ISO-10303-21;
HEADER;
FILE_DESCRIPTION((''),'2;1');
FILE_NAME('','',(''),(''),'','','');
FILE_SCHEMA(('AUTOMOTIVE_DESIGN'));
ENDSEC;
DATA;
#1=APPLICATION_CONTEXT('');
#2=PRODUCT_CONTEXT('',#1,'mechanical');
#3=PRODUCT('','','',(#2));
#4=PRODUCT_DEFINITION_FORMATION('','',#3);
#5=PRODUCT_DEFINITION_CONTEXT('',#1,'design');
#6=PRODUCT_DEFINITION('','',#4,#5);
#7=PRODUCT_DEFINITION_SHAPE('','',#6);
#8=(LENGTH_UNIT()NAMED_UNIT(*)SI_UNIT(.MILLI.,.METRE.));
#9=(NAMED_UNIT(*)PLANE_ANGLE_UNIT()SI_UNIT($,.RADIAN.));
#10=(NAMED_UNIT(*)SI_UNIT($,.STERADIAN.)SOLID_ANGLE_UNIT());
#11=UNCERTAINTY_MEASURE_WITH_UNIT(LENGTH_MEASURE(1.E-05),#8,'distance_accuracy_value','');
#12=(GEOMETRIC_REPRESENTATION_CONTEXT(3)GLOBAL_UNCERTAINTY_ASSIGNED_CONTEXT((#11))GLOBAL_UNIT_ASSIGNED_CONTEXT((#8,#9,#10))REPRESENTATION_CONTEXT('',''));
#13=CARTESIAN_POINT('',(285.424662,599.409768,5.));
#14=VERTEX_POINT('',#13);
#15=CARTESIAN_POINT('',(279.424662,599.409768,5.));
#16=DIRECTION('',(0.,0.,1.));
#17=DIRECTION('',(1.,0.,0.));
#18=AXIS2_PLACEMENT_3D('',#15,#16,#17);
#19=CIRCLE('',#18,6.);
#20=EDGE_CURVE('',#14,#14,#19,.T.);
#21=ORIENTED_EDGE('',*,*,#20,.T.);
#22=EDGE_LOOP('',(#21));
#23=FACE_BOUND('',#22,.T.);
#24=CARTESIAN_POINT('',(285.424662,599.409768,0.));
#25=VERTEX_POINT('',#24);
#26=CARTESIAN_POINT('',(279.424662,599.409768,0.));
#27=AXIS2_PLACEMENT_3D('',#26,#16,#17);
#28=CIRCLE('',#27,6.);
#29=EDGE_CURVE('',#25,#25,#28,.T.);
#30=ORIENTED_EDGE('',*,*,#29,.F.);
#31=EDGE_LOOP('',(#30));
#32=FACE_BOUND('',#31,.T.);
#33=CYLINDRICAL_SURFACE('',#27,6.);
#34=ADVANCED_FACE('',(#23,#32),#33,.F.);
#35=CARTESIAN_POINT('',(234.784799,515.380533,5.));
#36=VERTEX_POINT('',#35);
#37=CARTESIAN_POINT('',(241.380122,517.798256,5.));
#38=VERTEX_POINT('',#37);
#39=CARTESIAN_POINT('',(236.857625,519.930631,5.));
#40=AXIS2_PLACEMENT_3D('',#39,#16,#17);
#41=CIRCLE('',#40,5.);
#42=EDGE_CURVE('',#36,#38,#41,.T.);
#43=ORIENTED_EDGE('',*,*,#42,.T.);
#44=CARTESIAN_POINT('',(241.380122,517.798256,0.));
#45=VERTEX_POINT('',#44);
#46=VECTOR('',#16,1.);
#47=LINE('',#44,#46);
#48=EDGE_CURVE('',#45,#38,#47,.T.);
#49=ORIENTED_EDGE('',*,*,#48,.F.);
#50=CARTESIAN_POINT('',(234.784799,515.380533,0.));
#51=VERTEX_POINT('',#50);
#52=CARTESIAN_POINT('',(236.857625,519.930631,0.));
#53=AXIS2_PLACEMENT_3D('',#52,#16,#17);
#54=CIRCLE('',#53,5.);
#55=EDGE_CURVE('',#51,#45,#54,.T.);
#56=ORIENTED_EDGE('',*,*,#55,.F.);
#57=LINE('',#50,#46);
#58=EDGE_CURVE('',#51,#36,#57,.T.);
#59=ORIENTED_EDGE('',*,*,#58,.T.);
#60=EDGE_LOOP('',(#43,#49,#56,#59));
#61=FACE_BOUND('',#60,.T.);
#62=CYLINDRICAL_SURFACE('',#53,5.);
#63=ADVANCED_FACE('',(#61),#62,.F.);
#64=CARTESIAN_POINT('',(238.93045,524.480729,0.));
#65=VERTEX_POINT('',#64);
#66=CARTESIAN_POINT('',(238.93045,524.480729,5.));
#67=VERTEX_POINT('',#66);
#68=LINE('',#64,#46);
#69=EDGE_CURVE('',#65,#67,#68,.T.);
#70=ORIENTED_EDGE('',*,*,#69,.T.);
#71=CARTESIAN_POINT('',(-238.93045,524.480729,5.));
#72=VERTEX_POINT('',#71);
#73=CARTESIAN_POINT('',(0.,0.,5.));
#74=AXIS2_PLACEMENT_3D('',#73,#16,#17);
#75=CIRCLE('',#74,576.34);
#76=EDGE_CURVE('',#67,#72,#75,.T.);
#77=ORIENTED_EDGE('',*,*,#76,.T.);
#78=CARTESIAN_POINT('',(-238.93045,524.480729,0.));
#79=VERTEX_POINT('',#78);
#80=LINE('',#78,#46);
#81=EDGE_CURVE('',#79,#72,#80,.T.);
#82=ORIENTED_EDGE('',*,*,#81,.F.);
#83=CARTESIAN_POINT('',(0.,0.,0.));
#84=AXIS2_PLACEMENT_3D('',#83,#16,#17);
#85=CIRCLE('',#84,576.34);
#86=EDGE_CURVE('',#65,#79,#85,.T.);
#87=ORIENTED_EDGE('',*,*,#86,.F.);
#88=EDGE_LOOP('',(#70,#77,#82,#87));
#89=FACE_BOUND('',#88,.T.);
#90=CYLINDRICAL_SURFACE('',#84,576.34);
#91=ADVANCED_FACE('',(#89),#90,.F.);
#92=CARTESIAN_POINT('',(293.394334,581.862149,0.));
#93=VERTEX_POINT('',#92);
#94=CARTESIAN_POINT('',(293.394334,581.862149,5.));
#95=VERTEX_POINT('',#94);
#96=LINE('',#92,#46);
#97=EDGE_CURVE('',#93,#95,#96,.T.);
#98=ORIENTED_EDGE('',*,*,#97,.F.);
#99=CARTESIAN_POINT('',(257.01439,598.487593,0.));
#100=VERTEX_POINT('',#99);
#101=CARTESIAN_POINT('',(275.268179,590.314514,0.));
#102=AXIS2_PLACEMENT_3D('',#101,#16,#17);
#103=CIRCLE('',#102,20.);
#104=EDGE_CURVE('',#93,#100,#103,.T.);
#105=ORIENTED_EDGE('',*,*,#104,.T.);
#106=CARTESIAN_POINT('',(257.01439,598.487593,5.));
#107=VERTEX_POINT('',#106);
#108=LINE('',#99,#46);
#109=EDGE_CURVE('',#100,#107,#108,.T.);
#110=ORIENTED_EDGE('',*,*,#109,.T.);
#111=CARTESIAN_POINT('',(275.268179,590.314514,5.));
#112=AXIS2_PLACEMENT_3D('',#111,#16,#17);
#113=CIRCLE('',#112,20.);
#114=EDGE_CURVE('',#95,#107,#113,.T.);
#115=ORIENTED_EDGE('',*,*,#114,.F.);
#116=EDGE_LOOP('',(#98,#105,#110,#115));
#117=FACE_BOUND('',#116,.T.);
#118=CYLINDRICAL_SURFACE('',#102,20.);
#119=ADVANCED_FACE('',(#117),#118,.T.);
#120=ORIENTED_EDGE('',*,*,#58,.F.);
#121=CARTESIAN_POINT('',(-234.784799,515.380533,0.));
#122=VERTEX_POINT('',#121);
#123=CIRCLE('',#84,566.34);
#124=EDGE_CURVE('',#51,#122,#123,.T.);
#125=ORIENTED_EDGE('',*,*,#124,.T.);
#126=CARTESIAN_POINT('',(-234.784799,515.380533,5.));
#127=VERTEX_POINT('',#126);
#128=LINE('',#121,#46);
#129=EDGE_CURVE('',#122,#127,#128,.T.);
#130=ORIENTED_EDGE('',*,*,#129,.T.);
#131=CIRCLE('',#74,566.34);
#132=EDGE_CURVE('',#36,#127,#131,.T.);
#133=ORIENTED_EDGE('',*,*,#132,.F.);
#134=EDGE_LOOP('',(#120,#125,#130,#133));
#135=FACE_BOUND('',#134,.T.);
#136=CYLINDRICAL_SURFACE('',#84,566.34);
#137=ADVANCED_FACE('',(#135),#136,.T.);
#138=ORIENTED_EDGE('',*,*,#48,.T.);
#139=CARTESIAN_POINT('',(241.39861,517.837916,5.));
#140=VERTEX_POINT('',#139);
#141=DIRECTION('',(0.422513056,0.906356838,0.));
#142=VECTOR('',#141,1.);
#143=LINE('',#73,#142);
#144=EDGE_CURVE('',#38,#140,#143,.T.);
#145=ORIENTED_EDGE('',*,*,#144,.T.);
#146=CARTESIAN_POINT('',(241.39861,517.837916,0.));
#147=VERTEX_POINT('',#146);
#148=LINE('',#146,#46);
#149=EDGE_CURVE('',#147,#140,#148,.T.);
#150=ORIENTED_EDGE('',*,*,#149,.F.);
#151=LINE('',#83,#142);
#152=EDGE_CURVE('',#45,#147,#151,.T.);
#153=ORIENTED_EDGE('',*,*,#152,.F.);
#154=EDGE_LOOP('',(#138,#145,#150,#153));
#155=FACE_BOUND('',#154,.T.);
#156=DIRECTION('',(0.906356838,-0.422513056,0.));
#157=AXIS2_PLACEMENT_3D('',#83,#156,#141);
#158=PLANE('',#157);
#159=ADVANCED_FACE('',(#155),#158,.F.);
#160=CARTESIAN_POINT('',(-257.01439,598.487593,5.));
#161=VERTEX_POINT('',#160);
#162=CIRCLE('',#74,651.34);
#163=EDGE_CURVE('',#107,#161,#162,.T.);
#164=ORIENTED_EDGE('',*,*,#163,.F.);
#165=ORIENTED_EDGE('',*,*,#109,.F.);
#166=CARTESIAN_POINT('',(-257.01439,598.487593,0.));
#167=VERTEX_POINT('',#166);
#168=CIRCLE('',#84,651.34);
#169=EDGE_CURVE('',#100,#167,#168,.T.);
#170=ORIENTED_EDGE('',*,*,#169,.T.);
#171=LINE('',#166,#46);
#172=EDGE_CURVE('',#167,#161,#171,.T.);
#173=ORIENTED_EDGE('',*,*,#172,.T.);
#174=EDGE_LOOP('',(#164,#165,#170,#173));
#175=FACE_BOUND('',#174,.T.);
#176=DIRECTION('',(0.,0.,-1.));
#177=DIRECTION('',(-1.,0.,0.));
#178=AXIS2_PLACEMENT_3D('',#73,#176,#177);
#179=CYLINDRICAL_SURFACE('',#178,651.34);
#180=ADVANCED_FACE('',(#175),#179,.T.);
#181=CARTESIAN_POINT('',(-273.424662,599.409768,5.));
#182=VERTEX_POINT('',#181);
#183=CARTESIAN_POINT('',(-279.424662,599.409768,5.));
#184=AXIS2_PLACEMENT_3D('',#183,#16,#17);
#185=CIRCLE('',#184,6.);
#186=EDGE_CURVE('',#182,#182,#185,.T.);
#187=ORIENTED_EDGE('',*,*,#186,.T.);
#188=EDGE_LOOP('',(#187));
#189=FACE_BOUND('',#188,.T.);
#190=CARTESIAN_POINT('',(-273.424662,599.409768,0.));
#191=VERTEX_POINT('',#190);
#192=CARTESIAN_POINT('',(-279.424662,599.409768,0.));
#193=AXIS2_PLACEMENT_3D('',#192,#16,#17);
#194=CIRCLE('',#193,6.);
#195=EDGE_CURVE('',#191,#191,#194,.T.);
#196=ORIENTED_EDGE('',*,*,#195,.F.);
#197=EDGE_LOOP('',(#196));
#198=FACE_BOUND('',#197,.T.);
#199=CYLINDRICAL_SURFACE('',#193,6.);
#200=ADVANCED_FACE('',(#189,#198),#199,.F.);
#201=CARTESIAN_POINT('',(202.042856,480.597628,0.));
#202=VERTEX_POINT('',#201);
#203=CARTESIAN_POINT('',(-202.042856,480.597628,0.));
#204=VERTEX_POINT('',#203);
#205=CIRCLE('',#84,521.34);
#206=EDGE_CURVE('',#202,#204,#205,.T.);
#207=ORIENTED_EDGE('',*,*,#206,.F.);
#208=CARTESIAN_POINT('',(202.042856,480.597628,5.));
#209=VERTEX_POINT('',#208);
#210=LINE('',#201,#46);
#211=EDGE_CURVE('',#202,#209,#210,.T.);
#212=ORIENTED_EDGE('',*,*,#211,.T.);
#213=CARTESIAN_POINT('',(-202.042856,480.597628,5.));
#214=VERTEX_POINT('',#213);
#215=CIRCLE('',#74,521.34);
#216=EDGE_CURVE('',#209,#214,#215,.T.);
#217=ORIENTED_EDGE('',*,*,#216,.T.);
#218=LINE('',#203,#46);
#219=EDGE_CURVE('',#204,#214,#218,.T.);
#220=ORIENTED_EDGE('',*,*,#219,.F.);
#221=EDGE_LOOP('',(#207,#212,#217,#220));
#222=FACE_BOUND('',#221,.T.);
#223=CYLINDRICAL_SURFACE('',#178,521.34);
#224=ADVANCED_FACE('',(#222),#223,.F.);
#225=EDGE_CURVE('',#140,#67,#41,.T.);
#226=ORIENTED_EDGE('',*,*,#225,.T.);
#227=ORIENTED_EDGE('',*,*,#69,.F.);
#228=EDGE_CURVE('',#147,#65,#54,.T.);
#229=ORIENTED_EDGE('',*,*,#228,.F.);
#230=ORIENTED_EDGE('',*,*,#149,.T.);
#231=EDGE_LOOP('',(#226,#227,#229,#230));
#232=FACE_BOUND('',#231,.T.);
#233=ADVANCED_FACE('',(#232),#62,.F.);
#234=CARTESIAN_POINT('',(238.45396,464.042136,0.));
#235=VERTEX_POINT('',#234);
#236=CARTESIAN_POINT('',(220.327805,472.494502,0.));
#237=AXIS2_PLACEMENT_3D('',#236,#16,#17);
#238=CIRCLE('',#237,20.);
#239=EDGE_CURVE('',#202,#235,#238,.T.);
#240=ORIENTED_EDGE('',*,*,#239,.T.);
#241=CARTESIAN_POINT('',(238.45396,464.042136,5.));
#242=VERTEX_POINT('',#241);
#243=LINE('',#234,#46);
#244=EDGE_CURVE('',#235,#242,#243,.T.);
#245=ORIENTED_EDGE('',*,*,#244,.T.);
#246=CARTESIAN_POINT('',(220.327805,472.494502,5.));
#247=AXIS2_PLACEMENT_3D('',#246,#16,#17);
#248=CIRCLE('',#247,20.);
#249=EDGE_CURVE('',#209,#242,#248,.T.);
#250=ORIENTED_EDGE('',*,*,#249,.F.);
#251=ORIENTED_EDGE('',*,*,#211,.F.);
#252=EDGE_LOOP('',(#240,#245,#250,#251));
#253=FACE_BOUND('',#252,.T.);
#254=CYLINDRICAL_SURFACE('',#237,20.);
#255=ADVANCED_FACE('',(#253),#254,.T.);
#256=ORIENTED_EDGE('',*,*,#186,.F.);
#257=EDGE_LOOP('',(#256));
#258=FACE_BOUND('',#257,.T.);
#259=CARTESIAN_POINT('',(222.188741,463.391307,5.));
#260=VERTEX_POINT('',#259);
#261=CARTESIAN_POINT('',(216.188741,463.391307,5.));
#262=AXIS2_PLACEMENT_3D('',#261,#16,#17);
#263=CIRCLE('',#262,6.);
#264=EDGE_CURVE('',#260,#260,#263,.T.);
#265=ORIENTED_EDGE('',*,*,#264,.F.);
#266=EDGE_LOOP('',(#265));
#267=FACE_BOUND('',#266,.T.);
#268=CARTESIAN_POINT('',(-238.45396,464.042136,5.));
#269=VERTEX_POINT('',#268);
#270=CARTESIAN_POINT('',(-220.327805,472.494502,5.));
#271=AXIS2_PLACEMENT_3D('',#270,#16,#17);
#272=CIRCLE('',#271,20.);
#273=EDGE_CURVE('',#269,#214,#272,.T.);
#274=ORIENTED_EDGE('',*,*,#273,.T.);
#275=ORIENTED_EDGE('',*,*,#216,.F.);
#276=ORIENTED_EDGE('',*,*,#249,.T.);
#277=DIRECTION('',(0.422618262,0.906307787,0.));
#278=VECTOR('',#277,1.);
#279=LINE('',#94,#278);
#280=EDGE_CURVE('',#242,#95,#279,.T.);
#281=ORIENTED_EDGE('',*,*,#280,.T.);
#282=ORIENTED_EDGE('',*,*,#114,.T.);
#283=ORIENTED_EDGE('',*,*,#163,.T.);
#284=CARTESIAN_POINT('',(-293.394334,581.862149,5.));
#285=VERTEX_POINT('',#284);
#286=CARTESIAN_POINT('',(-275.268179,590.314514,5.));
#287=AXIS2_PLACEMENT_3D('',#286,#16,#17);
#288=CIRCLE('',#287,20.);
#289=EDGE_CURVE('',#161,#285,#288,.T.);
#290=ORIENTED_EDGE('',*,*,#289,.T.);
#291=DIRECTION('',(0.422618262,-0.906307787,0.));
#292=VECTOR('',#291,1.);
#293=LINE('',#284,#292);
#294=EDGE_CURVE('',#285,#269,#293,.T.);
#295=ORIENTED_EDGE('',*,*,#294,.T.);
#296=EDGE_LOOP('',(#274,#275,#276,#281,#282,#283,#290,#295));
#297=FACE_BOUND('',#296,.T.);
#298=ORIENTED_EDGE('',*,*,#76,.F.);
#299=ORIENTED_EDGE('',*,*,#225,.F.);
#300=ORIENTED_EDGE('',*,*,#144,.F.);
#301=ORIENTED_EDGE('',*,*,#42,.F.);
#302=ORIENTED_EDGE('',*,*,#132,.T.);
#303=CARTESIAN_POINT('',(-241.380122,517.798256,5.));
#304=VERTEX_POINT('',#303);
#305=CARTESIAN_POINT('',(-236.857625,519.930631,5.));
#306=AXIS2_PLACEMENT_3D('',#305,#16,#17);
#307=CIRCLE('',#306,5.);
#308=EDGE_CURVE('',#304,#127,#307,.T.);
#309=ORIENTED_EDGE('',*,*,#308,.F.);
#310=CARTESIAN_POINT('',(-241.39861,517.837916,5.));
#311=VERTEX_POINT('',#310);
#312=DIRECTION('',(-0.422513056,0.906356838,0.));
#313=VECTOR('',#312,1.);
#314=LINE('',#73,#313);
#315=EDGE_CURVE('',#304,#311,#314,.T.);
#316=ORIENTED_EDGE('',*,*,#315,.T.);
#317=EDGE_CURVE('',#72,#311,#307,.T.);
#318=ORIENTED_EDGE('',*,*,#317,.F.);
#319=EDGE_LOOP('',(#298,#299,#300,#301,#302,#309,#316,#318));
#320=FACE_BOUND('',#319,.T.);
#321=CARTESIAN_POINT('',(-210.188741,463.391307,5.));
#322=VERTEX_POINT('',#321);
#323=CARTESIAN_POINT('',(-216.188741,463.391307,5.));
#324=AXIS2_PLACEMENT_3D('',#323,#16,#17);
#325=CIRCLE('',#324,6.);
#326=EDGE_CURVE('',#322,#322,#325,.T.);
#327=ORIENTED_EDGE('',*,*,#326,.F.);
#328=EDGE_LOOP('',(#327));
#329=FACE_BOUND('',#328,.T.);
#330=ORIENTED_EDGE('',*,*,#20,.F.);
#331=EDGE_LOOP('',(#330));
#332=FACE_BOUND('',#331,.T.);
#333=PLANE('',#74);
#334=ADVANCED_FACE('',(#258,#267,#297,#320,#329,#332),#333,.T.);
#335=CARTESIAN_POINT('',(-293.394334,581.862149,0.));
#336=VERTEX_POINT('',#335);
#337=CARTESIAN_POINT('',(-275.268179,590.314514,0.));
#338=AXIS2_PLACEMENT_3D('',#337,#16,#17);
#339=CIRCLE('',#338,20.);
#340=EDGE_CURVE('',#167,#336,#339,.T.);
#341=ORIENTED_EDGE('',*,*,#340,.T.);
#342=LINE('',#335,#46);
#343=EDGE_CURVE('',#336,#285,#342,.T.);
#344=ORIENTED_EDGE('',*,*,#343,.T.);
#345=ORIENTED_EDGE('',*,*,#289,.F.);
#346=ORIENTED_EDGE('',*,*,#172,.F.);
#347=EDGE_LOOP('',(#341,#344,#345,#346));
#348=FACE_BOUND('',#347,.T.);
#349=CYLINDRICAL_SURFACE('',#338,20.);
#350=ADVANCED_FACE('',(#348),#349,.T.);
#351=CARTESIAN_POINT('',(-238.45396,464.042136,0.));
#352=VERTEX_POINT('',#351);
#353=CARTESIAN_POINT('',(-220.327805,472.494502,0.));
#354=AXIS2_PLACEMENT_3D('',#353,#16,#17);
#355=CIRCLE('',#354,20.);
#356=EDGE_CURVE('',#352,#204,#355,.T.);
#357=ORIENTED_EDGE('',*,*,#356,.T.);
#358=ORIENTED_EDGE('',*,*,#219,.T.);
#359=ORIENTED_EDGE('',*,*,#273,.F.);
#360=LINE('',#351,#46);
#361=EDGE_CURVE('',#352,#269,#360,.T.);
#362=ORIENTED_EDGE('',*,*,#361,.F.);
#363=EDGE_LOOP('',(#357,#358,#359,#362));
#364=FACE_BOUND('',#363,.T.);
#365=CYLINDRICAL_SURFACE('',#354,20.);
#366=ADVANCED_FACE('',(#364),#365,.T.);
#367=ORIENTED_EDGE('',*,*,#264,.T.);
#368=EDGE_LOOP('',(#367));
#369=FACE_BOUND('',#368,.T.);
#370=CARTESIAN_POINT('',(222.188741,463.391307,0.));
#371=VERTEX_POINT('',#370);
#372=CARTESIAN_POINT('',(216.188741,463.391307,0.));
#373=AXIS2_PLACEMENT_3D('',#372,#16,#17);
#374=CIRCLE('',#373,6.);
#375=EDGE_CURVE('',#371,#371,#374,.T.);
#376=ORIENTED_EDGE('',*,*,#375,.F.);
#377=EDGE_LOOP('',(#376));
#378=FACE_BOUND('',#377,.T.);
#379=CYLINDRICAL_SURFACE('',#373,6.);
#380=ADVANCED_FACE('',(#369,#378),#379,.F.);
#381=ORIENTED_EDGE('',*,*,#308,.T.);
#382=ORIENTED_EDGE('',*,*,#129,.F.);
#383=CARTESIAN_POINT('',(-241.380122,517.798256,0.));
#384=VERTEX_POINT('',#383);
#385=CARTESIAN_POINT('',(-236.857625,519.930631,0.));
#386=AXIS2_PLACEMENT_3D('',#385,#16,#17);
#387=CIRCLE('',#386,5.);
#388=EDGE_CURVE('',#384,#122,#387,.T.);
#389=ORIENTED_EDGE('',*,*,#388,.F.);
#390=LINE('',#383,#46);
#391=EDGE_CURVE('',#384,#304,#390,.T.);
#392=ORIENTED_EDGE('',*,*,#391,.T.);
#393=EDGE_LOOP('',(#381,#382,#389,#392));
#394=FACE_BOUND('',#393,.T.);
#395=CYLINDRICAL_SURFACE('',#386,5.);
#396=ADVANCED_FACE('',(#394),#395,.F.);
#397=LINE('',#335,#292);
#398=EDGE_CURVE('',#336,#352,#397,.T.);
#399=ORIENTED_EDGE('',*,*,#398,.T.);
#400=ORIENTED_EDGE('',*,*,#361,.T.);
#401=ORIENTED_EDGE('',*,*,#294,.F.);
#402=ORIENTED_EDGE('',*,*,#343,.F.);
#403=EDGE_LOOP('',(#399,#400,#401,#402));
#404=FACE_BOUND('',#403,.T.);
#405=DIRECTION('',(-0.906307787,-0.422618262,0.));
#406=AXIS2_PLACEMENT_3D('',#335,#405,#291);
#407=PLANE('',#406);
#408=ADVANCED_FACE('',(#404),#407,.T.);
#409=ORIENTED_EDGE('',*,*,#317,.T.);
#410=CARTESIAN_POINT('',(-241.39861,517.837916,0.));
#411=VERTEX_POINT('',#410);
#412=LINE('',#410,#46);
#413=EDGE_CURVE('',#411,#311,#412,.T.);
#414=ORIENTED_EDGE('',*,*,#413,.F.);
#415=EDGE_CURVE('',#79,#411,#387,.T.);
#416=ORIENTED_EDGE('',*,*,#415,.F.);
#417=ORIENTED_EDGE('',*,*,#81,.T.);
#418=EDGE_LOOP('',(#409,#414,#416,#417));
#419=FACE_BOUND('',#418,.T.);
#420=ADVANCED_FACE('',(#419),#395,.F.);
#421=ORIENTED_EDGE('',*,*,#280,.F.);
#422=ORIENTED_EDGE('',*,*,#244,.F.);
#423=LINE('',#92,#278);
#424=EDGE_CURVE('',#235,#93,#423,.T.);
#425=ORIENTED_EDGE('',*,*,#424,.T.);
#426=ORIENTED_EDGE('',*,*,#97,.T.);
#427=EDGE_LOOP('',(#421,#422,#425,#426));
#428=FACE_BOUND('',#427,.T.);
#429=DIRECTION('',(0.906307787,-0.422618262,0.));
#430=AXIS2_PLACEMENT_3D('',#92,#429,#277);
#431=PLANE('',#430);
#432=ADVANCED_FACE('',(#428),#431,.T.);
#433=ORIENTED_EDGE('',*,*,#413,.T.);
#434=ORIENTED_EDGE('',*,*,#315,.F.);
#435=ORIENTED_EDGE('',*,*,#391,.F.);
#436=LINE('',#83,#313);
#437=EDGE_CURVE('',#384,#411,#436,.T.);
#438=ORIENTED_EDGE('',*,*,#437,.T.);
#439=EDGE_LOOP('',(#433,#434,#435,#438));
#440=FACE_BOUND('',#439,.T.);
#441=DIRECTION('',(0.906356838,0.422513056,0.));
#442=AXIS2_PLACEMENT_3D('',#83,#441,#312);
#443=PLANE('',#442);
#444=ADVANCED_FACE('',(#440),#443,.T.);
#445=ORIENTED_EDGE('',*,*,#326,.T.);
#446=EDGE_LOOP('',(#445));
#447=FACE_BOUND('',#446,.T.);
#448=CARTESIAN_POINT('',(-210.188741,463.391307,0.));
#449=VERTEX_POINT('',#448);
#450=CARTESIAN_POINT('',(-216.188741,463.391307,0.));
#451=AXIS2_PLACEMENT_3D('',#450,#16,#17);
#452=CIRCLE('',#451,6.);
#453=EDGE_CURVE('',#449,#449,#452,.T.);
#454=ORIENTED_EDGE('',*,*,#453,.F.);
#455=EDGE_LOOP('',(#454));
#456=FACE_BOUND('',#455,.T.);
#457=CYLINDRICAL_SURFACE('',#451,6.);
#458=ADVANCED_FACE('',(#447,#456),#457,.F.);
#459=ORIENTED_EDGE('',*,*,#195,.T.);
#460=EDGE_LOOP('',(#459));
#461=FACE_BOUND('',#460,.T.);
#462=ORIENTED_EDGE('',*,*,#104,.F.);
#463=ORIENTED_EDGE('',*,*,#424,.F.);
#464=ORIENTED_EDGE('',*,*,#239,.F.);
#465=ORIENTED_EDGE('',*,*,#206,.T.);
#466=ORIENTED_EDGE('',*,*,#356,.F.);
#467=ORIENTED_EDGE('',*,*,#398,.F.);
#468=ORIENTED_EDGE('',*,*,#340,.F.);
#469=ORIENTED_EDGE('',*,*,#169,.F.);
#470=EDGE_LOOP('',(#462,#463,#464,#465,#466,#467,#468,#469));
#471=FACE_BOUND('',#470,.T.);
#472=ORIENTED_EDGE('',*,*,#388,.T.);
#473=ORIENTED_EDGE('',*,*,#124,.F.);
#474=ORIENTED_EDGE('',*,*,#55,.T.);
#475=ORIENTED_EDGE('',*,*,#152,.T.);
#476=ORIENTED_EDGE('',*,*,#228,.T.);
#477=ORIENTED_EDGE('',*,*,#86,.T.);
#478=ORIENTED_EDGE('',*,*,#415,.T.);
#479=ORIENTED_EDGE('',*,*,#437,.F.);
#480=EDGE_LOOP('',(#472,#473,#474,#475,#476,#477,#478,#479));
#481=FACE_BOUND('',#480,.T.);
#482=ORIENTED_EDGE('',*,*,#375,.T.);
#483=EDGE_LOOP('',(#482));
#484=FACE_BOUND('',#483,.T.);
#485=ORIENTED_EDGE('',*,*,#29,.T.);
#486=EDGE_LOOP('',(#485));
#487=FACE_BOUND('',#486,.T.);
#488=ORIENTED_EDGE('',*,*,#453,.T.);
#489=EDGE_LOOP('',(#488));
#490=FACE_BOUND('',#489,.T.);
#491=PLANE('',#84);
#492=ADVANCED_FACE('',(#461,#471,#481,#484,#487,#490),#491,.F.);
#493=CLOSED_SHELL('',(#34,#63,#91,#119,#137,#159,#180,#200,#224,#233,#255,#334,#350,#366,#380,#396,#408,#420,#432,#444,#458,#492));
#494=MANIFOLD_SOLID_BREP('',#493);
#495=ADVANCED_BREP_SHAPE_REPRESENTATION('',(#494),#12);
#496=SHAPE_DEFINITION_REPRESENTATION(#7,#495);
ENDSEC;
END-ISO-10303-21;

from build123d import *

# Parameters (mm, degrees)
DODANIE_WYCI_GNI_CIE1_DEPTH = 5
DODANIE_WYCI_GNI_CIE2_START = -5
SZKIC2_R                    = 6
DODANIE_WYCI_GNI_CIE2_DEPTH = 5
WYTNIJ_WYCI_GNI_CIE1_DEPTH  = 716.158788588


with BuildPart() as part:
    # Szkic1 → Dodanie-wyciągnięcie1 (new body)
    with BuildSketch(Plane.XY):
        with BuildLine():
            ThreePointArc((-241.458717663, 517.809891046), (0, 571.34), (241.458717663, 517.809891046))
            Line((241.458717663, 517.809891046), (275.268178602, 590.314514008))
            ThreePointArc((275.268178602, 590.314514008), (0, 651.34), (-275.268178602, 590.314514008))
            Line((-275.268178602, 590.314514008), (-241.458717663, 517.809891046))
        make_face()
        with BuildLine():
            ThreePointArc((-220.327804576, 472.494501694), (0, 521.34), (220.327804576, 472.494501694))
            Line((220.327804576, 472.494501694), (241.458717663, 517.809891046))
            ThreePointArc((241.458717663, 517.809891046), (0, 571.34), (-241.458717663, 517.809891046))
            Line((-241.458717663, 517.809891046), (-220.327804576, 472.494501694))
        make_face()
    extrude(amount=DODANIE_WYCI_GNI_CIE1_DEPTH)

    # Szkic2 → Dodanie-wyciągnięcie2 (add)
    with BuildSketch(Plane.XY.offset(5).offset(DODANIE_WYCI_GNI_CIE2_START)):
        with BuildLine():
            Line((-293.394334343, 581.862148774), (-238.453960317, 464.042136459))
            ThreePointArc((-238.453960317, 464.042136459), (-212.049678092, 454.288112103), (-202.042855969, 480.597627909))
            ThreePointArc((-202.042855969, 480.597627909), (0, 521.34), (202.042855969, 480.597627909))
            ThreePointArc((202.042855969, 480.597627909), (212.049678092, 454.288112103), (238.453960317, 464.042136459))
            Line((238.453960317, 464.042136459), (293.394334343, 581.862148774))
            ThreePointArc((293.394334343, 581.862148774), (283.581145562, 608.505021982), (257.014390413, 598.487592788))
            ThreePointArc((257.014390413, 598.487592788), (0, 651.34), (-257.014390413, 598.487592788))
            ThreePointArc((-257.014390413, 598.487592788), (-283.581145562, 608.505021982), (-293.394334343, 581.862148774))
        make_face()
        with Locations((-279.424662082, 599.409767995)):
            Circle(SZKIC2_R, mode=Mode.SUBTRACT)
        with Locations((-216.188741334, 463.391306898)):
            Circle(SZKIC2_R, mode=Mode.SUBTRACT)
        with Locations((216.188741334, 463.391306898)):
            Circle(SZKIC2_R, mode=Mode.SUBTRACT)
        with Locations((279.424662082, 599.409767995)):
            Circle(SZKIC2_R, mode=Mode.SUBTRACT)
    extrude(amount=DODANIE_WYCI_GNI_CIE2_DEPTH)

    # Szkic4 → Wytnij-wyciągnięcie1 (cut, through all)
    with BuildSketch(Plane.XY.offset(5)):
        with BuildLine():
            ThreePointArc((234.78479941, 515.380532778), (238.578545987, 515.23612037), (241.380121814, 517.798256378))
            Line((241.380121814, 517.798256378), (241.398609626, 517.837915637))
            ThreePointArc((241.398609626, 517.837915637), (241.544560472, 521.672077329), (238.930450422, 524.480729352))
            ThreePointArc((238.930450422, 524.480729352), (0, 576.34), (-238.930450422, 524.480729352))
            ThreePointArc((-238.930450422, 524.480729352), (-241.544560472, 521.672077329), (-241.398609626, 517.837915637))
            Line((-241.398609626, 517.837915637), (-241.380121814, 517.798256378))
            ThreePointArc((-241.380121814, 517.798256378), (-238.578545987, 515.23612037), (-234.78479941, 515.380532778))
            ThreePointArc((-234.78479941, 515.380532778), (0, 566.34), (234.78479941, 515.380532778))
        make_face()
    extrude(amount=-WYTNIJ_WYCI_GNI_CIE1_DEPTH, mode=Mode.SUBTRACT)


solid = part.part
